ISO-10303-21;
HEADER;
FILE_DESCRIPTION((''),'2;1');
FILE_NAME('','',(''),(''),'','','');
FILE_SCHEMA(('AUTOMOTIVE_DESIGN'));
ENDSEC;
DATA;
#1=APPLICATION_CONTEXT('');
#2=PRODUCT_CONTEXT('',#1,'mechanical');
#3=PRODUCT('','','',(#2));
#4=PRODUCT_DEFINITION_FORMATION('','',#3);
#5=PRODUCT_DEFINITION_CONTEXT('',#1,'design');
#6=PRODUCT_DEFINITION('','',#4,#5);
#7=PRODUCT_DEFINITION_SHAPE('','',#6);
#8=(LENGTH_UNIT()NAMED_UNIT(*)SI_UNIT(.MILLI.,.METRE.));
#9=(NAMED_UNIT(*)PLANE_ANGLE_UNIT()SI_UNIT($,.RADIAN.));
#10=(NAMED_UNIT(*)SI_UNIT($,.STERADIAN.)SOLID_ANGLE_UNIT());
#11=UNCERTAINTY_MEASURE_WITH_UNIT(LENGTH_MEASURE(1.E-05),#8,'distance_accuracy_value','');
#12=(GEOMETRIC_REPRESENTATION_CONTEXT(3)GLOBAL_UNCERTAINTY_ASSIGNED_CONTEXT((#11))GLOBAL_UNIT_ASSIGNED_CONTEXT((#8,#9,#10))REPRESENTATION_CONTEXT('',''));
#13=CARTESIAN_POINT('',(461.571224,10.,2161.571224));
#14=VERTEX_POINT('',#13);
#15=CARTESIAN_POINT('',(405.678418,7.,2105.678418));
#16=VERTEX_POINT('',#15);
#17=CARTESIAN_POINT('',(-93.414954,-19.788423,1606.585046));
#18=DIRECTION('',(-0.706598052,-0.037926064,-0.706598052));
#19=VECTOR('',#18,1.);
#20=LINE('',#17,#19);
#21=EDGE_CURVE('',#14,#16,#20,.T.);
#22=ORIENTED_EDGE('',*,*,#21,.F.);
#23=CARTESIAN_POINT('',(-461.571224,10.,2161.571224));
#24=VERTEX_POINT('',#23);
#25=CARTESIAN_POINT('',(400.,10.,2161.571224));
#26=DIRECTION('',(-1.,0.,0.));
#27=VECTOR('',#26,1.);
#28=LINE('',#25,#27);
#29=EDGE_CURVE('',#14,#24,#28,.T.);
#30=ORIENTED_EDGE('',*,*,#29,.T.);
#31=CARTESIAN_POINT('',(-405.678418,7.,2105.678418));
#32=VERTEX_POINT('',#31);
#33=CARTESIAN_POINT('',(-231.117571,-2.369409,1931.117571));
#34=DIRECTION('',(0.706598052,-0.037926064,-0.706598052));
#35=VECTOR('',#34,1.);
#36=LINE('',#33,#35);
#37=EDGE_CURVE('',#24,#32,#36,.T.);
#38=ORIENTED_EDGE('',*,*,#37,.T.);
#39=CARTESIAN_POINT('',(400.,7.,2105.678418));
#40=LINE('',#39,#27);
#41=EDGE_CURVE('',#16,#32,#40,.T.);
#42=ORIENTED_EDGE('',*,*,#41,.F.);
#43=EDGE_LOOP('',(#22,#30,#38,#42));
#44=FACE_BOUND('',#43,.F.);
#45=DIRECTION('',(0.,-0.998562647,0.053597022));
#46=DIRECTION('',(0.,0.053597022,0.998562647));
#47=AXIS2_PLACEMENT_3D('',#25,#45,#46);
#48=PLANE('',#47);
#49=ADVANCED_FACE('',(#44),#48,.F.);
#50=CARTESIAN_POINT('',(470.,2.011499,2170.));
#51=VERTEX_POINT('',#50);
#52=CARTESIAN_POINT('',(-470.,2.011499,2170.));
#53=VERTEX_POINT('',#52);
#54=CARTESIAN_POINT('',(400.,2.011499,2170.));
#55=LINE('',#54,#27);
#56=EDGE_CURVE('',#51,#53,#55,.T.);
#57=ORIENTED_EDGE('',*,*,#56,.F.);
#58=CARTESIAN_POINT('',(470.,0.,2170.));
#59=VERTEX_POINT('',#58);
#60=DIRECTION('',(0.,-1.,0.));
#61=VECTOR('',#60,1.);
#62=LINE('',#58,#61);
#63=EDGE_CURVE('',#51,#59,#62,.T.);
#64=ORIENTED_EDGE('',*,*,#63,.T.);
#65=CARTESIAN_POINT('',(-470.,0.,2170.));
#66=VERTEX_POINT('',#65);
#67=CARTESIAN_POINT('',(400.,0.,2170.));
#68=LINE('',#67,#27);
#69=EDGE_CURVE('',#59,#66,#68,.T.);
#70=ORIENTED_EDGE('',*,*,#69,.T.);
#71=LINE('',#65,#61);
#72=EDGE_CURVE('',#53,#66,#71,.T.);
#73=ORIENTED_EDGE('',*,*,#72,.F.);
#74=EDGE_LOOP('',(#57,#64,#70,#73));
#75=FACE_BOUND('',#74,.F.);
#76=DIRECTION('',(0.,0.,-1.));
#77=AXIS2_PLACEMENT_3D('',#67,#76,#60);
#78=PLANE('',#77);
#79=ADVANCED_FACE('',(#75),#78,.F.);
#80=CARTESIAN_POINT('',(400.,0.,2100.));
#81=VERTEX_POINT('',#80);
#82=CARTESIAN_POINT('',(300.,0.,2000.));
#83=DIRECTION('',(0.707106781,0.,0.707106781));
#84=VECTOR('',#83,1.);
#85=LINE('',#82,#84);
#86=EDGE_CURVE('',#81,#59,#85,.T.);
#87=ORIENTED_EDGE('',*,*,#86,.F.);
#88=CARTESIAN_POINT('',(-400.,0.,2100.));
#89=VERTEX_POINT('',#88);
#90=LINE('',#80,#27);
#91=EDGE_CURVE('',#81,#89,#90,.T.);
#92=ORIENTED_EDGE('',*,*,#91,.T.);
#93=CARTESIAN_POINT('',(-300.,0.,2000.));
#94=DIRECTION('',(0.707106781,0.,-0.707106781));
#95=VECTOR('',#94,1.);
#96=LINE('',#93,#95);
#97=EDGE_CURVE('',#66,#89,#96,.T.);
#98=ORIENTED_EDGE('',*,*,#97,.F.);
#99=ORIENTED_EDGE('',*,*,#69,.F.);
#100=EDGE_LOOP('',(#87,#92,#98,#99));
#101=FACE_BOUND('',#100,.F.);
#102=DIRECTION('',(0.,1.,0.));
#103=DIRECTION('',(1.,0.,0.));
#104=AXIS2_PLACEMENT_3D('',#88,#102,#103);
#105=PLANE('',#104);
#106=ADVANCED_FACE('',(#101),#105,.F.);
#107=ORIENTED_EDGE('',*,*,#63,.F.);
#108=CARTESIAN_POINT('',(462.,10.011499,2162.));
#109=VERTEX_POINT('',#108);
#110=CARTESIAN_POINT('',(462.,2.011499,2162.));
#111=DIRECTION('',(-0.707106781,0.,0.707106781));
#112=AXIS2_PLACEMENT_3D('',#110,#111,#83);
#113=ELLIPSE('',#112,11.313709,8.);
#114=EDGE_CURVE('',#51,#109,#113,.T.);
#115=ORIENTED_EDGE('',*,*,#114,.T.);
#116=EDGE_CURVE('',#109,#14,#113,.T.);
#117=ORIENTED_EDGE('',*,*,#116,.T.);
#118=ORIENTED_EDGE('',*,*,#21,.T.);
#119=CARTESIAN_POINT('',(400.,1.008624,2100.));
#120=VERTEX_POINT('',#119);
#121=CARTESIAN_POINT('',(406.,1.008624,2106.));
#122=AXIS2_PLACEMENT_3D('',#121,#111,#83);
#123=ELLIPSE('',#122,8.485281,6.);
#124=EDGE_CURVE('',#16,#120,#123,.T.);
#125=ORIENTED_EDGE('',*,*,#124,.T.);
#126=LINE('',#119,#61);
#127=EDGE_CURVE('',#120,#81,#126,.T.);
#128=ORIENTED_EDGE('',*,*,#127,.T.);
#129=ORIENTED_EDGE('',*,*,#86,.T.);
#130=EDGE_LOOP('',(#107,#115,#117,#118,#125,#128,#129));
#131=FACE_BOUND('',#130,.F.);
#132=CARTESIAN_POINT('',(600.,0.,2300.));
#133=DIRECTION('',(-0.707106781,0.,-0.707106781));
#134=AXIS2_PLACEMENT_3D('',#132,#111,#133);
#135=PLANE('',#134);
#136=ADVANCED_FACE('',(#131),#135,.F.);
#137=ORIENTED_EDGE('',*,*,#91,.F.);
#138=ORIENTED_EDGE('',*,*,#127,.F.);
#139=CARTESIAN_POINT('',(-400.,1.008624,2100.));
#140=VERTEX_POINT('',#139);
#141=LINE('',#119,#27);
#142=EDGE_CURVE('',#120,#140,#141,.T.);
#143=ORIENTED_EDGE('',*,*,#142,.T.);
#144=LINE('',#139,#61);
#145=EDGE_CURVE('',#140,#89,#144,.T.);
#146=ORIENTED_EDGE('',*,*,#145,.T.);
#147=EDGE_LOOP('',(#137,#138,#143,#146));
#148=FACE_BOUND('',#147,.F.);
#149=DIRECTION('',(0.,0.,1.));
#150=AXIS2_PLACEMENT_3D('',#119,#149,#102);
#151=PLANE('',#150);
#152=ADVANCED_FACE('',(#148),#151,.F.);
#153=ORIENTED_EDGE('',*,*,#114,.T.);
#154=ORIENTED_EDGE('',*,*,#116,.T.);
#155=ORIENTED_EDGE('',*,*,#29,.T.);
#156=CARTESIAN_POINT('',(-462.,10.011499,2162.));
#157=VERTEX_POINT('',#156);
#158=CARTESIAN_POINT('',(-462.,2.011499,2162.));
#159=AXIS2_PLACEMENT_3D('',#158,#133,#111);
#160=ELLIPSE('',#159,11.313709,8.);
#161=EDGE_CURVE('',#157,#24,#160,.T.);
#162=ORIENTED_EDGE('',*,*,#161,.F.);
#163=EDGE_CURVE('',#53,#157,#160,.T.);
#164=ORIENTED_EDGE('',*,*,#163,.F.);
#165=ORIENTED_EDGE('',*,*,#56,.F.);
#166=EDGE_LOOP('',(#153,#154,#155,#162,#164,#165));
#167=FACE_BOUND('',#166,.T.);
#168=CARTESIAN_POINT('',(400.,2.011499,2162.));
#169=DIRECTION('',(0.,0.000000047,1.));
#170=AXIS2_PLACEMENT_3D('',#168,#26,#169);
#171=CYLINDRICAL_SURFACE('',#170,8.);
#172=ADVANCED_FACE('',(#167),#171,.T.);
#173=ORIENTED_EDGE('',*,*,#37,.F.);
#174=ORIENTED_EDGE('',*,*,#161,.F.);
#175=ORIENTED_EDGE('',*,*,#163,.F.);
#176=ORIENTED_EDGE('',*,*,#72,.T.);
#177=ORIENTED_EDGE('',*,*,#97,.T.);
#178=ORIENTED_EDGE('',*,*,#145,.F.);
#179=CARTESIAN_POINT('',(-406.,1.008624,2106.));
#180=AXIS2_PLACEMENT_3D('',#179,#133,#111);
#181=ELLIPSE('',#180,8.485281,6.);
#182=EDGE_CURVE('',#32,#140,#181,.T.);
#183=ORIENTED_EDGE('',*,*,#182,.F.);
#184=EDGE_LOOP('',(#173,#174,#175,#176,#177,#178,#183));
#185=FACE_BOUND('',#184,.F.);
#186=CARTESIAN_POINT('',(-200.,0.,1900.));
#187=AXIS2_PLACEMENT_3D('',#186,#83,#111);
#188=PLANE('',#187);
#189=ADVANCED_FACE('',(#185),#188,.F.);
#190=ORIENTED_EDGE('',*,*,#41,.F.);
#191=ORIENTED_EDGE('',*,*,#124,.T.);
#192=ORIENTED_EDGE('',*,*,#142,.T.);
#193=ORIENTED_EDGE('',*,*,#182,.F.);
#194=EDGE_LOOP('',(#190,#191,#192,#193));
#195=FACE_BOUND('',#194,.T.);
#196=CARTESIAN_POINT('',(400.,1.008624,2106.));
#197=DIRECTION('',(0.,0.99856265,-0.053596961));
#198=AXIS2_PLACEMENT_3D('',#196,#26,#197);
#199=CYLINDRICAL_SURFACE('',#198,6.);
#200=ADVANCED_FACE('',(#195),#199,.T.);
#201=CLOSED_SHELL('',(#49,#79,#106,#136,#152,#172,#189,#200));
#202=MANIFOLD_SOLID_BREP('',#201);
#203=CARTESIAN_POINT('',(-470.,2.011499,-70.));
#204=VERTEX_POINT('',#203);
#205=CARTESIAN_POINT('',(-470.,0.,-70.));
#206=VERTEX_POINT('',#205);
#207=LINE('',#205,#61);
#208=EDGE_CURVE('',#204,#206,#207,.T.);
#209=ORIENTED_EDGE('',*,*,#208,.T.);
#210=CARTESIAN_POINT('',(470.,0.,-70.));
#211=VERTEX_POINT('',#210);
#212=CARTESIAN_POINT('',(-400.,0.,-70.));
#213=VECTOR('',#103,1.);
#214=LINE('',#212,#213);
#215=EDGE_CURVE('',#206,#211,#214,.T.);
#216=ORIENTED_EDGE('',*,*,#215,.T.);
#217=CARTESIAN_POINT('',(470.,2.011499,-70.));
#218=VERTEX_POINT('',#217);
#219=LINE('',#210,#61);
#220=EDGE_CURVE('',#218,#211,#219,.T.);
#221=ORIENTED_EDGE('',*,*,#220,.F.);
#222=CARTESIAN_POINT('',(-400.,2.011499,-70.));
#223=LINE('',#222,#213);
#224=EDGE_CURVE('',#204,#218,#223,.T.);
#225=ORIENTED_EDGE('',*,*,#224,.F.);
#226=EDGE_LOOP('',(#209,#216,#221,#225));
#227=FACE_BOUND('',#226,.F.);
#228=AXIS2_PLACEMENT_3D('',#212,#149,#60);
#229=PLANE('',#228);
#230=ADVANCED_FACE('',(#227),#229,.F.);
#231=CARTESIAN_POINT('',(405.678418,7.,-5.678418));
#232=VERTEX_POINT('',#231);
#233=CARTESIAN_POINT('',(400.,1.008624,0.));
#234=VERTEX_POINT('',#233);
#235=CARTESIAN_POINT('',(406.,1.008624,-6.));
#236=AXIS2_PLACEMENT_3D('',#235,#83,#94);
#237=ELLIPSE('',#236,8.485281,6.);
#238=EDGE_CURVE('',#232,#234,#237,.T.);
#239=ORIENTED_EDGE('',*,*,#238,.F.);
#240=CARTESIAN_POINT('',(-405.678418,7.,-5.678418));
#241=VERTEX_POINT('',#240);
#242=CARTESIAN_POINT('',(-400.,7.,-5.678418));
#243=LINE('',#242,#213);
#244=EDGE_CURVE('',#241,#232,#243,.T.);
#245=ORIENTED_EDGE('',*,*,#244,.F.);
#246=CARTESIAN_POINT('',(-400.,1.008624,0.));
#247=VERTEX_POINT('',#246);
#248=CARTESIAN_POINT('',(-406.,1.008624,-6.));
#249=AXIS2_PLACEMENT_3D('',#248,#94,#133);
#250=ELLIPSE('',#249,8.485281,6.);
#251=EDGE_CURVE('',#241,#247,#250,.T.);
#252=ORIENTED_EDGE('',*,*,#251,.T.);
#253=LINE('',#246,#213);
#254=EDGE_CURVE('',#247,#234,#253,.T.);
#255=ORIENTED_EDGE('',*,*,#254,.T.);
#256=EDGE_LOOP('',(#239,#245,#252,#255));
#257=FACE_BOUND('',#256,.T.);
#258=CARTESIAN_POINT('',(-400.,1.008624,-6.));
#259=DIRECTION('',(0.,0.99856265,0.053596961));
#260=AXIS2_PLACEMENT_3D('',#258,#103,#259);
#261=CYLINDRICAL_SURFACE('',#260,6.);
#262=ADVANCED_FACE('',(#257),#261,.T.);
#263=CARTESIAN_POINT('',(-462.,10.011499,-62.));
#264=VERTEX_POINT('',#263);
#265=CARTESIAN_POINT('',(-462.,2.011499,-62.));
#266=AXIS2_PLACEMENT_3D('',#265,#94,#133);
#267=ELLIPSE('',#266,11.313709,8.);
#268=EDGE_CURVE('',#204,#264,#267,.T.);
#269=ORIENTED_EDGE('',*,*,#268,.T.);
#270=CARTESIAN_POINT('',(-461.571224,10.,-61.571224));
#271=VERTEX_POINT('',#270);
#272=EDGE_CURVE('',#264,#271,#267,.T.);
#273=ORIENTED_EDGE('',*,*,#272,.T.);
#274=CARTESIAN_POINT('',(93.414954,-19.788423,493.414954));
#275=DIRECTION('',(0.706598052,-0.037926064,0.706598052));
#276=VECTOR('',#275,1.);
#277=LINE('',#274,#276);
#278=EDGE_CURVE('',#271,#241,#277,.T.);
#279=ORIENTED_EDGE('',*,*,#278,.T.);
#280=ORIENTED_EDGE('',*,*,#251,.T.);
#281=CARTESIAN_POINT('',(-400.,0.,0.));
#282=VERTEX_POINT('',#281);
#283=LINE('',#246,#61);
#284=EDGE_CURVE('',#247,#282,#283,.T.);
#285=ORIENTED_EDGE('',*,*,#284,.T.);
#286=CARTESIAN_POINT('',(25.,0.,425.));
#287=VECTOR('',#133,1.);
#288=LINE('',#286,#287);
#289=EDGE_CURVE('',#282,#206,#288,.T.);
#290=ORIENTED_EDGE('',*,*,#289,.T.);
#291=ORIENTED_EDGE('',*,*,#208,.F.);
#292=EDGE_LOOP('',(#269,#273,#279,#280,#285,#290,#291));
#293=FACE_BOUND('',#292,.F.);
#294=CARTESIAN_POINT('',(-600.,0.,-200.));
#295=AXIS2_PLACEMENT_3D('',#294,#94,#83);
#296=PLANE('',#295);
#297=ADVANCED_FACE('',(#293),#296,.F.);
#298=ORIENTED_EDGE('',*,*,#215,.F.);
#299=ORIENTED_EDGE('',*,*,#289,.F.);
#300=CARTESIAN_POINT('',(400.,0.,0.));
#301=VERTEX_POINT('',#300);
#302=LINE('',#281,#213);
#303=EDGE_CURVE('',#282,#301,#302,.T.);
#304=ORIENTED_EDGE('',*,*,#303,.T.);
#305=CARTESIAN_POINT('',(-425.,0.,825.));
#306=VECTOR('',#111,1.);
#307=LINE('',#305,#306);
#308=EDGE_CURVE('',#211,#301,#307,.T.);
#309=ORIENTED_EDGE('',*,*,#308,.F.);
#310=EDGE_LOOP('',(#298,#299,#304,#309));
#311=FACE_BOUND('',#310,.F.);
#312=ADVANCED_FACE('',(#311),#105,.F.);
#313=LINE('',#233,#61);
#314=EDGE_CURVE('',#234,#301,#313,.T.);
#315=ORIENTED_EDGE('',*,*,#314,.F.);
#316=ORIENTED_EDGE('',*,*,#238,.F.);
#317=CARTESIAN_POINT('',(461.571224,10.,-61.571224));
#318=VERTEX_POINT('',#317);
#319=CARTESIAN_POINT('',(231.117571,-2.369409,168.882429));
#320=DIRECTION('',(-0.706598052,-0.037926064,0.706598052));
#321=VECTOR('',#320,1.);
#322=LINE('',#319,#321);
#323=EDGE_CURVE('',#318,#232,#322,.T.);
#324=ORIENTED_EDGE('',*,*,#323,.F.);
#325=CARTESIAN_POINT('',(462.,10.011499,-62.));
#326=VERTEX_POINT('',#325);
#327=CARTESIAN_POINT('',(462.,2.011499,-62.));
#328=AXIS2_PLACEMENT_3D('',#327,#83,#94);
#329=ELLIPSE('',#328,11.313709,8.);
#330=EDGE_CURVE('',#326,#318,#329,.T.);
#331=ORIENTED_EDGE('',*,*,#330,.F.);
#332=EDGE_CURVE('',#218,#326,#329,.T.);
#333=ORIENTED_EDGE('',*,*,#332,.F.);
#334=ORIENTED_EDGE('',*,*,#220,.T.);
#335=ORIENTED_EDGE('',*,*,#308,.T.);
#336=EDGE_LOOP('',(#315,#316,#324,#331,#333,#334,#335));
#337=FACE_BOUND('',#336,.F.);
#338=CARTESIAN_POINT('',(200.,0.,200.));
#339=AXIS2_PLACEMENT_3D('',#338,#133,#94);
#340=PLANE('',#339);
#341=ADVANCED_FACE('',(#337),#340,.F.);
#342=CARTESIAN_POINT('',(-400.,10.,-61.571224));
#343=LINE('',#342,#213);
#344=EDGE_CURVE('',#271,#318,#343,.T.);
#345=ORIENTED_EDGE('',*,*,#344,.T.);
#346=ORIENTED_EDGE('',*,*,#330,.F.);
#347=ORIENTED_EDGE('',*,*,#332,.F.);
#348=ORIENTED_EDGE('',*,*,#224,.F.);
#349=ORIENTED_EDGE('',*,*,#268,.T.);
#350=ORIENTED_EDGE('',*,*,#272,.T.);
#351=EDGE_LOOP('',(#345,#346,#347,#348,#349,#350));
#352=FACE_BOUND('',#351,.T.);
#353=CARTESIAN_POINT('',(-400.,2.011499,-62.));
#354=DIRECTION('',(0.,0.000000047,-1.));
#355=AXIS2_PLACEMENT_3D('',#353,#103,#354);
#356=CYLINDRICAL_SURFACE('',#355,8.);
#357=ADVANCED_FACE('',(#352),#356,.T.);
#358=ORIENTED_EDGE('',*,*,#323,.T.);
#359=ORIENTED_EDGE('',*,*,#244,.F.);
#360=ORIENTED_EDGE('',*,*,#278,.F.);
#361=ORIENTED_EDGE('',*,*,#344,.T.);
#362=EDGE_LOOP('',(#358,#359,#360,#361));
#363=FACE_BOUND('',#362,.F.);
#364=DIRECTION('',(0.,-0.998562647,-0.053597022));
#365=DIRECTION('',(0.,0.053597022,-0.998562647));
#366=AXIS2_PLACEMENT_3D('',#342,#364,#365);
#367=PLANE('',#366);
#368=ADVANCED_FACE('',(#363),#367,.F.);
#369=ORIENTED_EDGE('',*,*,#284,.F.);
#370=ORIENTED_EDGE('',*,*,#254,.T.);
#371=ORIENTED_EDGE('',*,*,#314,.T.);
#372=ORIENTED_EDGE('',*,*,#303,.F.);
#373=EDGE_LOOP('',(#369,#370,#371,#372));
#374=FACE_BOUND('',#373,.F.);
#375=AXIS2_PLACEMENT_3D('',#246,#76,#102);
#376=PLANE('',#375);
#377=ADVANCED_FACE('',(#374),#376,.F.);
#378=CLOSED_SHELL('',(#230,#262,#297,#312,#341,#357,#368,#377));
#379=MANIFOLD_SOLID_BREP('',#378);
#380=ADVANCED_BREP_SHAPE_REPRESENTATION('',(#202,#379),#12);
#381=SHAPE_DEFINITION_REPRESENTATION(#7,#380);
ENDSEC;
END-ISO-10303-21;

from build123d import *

# Parameters (mm, degrees)
EXTRUDE039436_DEPTH = 500
EXTRUDE039434_DEPTH = 500


with BuildPart() as extrude039436_internal_inferior:
    # Sketch225 (on Sketch) → Extrude039436 (new body, symmetric)
    with BuildSketch(Plane.XZ):
        Polygon((-200, 200), (200, 200), (600, -200), (-600, -200), align=None)
    extrude(amount=EXTRUDE039436_DEPTH, both=True)


with BuildPart() as compound051:
    # Sketch223 (on Sketch) → Extrude039434 (new body, symmetric)
    with BuildSketch(Plane.XZ):
        Polygon((-600, 2300), (600, 2300), (200, 1900), (-200, 1900), align=None)
    extrude(amount=EXTRUDE039434_DEPTH, both=True)

    # Compound051: union Extrude039436_internal_inferior_
    add(extrude039436_internal_inferior.part)


with BuildPart() as trim_window_internal_horizontal:
    # Sweep012: sweep along a path in Sketch195
    with BuildLine(Plane.XZ) as sweep012_path:
        Line((-400, 2100), (-400, 0))
        Line((-400, 0), (400, 0))
        Line((400, 0), (400, 2100))
        Line((400, 2100), (-400, 2100))
    # Clone2D028 (on Sketch) → Sweep012 (sweep)
    with BuildSketch(Plane.ZY):
        with BuildLine():
            Line((-61.571224, 10), (-5.678418, 7))
            ThreePointArc((-5.678418, 7), (-1.645147, 5.136003), (0, 1.008624))
            Line((0, 1.008624), (0, 0))
            Line((0, 0), (-70, 0))
            Line((-70, 0), (-70, 2.011499))
            ThreePointArc((-70, 2.011499), (-67.503171, 7.81797), (-61.571224, 10))
        make_face()
    sweep(path=sweep012_path.line, is_frenet=True, transition=Transition.RIGHT)

    # Common002: intersect Compound051_
    add(compound051.part, mode=Mode.INTERSECT)


solid = trim_window_internal_horizontal.part
